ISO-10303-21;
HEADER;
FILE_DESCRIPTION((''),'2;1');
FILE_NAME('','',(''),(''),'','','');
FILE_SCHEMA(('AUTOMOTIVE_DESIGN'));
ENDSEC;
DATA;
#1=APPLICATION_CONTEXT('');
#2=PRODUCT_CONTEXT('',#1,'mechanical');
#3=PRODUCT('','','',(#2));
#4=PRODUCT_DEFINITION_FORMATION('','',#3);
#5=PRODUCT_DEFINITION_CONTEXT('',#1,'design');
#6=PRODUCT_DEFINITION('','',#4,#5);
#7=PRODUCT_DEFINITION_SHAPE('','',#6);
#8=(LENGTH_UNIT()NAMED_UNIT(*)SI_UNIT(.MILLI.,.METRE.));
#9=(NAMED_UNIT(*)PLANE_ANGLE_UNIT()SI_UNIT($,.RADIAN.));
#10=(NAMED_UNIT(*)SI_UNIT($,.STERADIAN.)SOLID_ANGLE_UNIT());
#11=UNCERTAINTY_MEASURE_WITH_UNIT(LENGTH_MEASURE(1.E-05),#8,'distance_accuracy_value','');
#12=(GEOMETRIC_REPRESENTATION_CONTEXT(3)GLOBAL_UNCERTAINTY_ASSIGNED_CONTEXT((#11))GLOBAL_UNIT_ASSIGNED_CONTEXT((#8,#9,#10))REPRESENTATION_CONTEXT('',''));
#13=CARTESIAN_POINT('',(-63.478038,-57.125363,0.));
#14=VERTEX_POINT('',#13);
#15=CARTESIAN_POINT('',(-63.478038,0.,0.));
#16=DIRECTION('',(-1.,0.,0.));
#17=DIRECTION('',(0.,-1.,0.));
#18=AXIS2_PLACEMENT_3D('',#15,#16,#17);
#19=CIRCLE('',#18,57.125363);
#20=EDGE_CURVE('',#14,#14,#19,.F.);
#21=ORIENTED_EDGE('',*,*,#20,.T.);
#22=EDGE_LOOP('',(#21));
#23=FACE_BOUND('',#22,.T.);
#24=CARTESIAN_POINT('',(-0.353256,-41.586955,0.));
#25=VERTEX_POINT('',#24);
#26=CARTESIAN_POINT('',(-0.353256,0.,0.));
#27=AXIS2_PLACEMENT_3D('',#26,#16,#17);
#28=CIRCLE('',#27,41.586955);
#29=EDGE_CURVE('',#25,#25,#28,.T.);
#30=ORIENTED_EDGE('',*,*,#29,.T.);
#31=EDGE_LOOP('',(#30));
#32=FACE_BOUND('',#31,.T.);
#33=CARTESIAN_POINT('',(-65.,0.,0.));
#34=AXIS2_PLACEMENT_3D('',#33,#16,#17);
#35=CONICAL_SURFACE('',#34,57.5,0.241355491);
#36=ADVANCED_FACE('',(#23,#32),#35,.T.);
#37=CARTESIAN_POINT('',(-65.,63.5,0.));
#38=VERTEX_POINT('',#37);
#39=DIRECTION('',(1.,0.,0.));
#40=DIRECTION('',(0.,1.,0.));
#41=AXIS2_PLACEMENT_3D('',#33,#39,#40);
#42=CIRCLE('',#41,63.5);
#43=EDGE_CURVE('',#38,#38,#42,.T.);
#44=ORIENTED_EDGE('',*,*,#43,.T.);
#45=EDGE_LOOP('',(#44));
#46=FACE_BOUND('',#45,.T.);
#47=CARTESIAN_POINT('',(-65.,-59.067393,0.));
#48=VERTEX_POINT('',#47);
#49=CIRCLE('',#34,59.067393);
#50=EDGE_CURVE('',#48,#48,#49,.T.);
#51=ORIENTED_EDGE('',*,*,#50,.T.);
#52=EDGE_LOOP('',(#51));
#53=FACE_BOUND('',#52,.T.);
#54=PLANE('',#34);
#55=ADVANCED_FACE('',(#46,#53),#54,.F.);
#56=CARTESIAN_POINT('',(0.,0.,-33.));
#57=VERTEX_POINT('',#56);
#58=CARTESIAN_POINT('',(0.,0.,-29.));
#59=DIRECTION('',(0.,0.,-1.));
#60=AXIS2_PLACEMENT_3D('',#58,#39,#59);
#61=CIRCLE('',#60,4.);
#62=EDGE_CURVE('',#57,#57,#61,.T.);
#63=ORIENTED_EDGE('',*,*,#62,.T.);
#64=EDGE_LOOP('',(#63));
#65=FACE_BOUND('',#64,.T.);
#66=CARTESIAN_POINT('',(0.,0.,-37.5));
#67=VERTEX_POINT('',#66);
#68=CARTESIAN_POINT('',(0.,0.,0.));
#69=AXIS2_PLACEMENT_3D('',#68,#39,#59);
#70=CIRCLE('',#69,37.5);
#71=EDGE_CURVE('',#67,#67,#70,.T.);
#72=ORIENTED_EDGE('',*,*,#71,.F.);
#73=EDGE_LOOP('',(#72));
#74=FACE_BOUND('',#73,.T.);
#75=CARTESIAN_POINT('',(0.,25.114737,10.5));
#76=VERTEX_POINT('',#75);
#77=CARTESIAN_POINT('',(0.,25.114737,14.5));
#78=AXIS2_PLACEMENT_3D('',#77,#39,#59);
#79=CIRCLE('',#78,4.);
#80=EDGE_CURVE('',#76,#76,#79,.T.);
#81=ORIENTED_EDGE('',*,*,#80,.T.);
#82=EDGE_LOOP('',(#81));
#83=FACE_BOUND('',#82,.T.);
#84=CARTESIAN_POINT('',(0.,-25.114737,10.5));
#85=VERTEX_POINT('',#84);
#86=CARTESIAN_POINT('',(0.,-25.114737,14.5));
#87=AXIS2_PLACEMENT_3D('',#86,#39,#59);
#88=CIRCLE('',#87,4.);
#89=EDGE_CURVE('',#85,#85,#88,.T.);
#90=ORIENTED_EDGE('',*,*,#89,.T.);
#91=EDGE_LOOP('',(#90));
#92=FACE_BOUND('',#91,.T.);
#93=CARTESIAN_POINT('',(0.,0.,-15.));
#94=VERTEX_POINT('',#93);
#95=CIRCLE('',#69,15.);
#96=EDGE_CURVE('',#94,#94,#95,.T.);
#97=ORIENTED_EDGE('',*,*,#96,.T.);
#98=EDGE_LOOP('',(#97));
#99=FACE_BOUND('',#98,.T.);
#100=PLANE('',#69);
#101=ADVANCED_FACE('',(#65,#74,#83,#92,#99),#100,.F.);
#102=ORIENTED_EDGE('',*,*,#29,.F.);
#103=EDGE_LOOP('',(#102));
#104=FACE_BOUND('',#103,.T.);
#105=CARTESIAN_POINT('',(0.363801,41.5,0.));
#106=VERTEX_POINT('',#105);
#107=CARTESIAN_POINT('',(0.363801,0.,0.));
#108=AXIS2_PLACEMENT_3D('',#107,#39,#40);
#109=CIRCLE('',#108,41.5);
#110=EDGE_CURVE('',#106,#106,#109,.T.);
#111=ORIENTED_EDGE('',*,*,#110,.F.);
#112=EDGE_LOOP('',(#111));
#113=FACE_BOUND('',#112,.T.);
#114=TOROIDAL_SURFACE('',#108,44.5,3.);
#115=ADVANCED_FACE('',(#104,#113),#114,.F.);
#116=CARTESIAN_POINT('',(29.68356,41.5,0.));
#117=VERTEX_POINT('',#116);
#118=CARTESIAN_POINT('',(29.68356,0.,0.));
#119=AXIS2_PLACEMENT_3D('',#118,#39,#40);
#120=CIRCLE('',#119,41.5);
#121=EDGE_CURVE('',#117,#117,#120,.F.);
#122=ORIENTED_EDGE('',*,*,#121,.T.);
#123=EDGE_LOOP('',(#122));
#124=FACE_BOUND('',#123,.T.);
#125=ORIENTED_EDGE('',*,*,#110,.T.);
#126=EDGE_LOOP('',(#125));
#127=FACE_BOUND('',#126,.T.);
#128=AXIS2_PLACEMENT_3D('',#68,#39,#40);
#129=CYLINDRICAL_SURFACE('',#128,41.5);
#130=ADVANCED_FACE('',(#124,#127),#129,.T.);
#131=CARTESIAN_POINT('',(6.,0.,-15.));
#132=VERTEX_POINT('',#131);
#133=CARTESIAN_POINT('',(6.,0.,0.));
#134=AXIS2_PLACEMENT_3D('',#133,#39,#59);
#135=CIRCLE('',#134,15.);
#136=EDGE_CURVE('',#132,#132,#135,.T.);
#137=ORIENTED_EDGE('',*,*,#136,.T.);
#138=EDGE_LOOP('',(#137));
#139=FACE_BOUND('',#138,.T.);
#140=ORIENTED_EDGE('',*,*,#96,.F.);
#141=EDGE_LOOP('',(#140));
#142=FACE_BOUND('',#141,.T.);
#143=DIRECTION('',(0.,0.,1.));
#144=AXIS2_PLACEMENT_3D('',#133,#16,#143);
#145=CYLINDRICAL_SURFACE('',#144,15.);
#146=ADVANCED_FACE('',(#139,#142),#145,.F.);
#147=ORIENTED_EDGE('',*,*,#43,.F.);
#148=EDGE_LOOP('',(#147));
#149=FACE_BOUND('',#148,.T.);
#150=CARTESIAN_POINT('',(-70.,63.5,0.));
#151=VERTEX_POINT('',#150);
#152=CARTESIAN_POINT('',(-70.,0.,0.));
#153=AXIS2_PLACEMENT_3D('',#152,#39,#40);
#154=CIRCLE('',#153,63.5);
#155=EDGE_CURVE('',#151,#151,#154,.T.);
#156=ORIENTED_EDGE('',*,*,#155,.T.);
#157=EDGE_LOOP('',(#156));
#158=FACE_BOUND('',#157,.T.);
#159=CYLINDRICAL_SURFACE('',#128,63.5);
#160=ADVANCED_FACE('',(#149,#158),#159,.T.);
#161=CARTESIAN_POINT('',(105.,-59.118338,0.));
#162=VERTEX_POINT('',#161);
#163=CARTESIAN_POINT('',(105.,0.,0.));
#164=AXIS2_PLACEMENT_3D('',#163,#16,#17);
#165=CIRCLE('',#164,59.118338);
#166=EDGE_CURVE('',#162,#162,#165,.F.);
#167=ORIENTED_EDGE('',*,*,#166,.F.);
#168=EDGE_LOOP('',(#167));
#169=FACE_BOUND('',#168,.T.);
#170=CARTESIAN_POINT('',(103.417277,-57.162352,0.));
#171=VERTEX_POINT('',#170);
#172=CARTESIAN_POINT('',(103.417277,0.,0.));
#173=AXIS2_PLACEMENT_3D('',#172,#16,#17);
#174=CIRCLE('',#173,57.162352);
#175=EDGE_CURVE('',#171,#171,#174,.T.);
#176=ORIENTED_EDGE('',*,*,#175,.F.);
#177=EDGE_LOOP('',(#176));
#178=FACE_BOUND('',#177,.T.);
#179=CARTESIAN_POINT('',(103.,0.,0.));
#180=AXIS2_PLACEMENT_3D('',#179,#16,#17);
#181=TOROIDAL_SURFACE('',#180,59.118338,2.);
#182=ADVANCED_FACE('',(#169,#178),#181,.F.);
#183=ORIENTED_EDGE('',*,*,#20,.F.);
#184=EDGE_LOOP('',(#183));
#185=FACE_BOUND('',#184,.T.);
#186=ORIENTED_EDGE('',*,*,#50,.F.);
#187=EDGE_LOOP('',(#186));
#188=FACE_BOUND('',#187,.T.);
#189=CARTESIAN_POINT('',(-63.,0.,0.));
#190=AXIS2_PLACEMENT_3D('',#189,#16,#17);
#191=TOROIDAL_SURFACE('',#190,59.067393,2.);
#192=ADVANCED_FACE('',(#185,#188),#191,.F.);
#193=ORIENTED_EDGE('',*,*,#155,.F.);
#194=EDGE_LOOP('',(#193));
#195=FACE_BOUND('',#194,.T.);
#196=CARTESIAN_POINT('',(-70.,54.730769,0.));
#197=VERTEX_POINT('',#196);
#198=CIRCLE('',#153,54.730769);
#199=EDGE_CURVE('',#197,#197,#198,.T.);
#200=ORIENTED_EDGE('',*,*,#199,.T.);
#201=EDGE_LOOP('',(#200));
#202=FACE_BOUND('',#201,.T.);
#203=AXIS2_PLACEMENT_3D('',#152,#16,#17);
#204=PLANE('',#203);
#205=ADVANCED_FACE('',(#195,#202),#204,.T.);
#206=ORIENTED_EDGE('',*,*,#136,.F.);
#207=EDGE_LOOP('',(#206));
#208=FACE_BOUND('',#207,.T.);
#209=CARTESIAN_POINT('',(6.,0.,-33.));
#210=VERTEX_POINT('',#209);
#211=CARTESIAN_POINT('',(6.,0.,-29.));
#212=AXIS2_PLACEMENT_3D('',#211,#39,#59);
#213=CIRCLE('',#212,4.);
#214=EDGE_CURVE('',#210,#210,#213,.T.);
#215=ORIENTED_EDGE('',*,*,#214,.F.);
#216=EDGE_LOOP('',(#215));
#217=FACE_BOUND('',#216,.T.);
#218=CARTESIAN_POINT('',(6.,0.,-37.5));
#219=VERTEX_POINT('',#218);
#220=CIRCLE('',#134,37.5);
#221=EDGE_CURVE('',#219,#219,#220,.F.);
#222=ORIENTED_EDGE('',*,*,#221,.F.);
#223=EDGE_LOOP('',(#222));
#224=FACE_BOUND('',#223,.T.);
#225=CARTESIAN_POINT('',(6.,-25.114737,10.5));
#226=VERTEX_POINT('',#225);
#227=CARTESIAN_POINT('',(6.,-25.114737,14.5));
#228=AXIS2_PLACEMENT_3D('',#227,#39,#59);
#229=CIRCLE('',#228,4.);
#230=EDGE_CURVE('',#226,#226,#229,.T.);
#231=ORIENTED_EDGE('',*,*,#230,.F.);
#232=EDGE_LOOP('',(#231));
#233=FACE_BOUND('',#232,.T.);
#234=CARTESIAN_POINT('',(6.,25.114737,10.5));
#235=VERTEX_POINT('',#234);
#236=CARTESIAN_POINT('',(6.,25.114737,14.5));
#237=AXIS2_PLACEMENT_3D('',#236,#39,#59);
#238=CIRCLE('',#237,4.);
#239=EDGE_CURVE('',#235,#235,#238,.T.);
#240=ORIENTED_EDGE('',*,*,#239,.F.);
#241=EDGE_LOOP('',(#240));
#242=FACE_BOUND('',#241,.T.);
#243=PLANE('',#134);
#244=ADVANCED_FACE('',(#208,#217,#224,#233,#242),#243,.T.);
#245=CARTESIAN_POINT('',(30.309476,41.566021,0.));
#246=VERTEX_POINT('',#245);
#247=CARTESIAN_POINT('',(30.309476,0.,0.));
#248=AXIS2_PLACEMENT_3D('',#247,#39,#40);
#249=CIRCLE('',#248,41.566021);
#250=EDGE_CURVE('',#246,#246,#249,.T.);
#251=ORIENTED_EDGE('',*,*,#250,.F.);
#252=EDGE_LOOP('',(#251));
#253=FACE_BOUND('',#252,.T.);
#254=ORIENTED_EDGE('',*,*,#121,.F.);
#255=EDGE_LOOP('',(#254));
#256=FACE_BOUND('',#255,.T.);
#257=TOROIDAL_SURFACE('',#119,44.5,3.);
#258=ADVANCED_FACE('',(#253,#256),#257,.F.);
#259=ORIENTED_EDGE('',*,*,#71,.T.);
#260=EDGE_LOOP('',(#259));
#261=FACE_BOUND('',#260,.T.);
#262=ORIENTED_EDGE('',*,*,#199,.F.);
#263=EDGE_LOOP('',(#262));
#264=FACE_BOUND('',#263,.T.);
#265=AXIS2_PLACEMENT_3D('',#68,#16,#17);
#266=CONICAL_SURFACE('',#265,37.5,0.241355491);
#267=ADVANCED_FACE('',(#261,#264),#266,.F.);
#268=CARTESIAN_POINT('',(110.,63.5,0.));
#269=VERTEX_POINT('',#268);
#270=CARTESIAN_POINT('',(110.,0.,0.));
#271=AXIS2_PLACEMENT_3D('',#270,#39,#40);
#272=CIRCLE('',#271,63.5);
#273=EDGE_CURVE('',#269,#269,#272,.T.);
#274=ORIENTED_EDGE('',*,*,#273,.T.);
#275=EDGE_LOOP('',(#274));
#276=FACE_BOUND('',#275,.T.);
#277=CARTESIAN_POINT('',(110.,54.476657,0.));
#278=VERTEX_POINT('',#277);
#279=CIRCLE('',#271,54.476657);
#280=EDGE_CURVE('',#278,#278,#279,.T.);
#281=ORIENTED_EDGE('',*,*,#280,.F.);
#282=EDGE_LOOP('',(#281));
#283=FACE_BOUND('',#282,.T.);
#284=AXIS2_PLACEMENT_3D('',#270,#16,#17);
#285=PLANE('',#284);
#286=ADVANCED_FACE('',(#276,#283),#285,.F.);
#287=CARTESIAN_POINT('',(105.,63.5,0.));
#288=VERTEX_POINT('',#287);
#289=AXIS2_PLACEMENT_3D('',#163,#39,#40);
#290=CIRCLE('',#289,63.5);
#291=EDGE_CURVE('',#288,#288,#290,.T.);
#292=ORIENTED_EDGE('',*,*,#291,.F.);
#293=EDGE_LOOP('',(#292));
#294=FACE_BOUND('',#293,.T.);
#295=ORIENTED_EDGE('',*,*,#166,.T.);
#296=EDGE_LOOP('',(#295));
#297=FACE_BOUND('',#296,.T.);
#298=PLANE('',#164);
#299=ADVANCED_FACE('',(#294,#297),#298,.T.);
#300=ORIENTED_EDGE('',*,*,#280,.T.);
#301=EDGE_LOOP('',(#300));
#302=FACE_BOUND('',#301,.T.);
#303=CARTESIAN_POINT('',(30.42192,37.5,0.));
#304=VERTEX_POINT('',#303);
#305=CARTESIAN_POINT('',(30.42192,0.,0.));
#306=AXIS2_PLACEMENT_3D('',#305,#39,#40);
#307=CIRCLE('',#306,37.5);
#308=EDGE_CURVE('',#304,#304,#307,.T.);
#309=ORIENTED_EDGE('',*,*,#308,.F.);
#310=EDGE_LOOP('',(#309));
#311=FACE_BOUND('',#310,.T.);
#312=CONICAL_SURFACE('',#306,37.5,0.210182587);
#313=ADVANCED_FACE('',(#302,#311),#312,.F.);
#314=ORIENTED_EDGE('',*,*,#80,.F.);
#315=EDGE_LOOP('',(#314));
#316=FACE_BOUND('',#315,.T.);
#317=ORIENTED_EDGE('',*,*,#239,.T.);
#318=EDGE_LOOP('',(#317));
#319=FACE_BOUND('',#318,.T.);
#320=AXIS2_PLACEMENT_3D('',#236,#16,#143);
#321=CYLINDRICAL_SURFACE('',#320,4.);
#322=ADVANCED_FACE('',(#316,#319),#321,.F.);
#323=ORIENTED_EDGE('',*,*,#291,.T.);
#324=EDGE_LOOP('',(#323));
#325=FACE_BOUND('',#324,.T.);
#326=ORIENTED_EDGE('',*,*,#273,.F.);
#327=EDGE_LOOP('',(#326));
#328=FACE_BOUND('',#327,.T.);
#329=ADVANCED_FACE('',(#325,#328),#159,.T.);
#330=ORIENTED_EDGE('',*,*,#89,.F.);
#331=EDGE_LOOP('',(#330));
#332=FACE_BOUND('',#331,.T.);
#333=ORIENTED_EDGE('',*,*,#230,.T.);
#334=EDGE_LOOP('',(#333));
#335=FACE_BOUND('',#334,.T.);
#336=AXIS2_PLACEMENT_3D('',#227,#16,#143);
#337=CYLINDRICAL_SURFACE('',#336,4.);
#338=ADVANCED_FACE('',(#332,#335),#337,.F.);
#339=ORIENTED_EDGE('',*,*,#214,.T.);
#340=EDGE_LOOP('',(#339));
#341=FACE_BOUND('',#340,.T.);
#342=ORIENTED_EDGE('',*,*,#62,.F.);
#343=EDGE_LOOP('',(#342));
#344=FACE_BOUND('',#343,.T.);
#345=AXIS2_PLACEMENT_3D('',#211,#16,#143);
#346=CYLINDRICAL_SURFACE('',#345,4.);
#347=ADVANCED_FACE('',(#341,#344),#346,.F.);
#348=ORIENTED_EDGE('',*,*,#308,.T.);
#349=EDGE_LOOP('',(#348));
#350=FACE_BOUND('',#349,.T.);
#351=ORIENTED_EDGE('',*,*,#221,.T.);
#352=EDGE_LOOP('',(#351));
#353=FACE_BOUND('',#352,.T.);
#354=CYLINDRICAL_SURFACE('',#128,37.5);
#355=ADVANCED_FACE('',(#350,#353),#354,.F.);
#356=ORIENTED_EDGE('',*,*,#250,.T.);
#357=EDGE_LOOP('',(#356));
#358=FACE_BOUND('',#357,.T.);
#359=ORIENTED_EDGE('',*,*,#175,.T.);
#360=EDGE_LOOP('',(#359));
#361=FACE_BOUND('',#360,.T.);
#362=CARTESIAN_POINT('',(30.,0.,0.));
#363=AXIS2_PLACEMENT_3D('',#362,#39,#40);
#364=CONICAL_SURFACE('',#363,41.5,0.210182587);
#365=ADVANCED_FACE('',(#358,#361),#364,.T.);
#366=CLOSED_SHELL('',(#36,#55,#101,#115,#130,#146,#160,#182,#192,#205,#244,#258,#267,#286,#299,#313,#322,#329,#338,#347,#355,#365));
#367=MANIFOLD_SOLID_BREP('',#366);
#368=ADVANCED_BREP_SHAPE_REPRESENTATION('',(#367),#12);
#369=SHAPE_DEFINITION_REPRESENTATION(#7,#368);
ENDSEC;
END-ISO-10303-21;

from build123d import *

# Parameters (mm, degrees)
SKETCH1_R           = 37.5
SKETCH1_R_2         = 4
SKETCH1_R_3         = 15
BOSS_EXTRUDE1_DEPTH = 6
FILLET1_R           = 2
FILLET2_R           = 3


with BuildPart() as part:
    # Sketch1 → Boss-Extrude1 (new body)
    with BuildSketch(Plane(origin=(0, 0, 0), x_dir=(0, 0, -1), z_dir=(1, 0, 0))):
        Circle(SKETCH1_R)
        with Locations((29, 0)):
            Circle(SKETCH1_R_2, mode=Mode.SUBTRACT)
        with Locations((-14.5, -25.11473671)):
            Circle(SKETCH1_R_2, mode=Mode.SUBTRACT)
        with Locations((-14.5, 25.11473671)):
            Circle(SKETCH1_R_2, mode=Mode.SUBTRACT)
        Circle(SKETCH1_R_3, mode=Mode.SUBTRACT)
    extrude(amount=BOSS_EXTRUDE1_DEPTH)

    # Sketch2 → Revolve1 (revolve)
    with BuildSketch(Plane.XY):
        Polygon((-65, 63.5), (-70, 63.5), (-70, 54.730769231), (0, 37.5), (30.42191957, 37.5), (110, 54.476657158), (110, 63.5), (105, 63.5), (105, 57.5), (30, 41.5), (0, 41.5), (-65, 57.5), align=None)
    revolve(axis=Axis((0, 0, 0), (-1, 0, 0)))

    # Fillet1
    fillet1_edges = [part.edges().sort_by_distance(p)[0] for p in [
        (105, -57.5, 0),
        (-65, -57.5, 0),
    ]]
    fillet(fillet1_edges, radius=FILLET1_R)

    # Fillet2
    fillet2_edges = [part.edges().sort_by_distance(p)[0] for p in [
        (30, -41.5, 0),
        (0, -41.5, 0),
    ]]
    fillet(fillet2_edges, radius=FILLET2_R)


solid = part.part
